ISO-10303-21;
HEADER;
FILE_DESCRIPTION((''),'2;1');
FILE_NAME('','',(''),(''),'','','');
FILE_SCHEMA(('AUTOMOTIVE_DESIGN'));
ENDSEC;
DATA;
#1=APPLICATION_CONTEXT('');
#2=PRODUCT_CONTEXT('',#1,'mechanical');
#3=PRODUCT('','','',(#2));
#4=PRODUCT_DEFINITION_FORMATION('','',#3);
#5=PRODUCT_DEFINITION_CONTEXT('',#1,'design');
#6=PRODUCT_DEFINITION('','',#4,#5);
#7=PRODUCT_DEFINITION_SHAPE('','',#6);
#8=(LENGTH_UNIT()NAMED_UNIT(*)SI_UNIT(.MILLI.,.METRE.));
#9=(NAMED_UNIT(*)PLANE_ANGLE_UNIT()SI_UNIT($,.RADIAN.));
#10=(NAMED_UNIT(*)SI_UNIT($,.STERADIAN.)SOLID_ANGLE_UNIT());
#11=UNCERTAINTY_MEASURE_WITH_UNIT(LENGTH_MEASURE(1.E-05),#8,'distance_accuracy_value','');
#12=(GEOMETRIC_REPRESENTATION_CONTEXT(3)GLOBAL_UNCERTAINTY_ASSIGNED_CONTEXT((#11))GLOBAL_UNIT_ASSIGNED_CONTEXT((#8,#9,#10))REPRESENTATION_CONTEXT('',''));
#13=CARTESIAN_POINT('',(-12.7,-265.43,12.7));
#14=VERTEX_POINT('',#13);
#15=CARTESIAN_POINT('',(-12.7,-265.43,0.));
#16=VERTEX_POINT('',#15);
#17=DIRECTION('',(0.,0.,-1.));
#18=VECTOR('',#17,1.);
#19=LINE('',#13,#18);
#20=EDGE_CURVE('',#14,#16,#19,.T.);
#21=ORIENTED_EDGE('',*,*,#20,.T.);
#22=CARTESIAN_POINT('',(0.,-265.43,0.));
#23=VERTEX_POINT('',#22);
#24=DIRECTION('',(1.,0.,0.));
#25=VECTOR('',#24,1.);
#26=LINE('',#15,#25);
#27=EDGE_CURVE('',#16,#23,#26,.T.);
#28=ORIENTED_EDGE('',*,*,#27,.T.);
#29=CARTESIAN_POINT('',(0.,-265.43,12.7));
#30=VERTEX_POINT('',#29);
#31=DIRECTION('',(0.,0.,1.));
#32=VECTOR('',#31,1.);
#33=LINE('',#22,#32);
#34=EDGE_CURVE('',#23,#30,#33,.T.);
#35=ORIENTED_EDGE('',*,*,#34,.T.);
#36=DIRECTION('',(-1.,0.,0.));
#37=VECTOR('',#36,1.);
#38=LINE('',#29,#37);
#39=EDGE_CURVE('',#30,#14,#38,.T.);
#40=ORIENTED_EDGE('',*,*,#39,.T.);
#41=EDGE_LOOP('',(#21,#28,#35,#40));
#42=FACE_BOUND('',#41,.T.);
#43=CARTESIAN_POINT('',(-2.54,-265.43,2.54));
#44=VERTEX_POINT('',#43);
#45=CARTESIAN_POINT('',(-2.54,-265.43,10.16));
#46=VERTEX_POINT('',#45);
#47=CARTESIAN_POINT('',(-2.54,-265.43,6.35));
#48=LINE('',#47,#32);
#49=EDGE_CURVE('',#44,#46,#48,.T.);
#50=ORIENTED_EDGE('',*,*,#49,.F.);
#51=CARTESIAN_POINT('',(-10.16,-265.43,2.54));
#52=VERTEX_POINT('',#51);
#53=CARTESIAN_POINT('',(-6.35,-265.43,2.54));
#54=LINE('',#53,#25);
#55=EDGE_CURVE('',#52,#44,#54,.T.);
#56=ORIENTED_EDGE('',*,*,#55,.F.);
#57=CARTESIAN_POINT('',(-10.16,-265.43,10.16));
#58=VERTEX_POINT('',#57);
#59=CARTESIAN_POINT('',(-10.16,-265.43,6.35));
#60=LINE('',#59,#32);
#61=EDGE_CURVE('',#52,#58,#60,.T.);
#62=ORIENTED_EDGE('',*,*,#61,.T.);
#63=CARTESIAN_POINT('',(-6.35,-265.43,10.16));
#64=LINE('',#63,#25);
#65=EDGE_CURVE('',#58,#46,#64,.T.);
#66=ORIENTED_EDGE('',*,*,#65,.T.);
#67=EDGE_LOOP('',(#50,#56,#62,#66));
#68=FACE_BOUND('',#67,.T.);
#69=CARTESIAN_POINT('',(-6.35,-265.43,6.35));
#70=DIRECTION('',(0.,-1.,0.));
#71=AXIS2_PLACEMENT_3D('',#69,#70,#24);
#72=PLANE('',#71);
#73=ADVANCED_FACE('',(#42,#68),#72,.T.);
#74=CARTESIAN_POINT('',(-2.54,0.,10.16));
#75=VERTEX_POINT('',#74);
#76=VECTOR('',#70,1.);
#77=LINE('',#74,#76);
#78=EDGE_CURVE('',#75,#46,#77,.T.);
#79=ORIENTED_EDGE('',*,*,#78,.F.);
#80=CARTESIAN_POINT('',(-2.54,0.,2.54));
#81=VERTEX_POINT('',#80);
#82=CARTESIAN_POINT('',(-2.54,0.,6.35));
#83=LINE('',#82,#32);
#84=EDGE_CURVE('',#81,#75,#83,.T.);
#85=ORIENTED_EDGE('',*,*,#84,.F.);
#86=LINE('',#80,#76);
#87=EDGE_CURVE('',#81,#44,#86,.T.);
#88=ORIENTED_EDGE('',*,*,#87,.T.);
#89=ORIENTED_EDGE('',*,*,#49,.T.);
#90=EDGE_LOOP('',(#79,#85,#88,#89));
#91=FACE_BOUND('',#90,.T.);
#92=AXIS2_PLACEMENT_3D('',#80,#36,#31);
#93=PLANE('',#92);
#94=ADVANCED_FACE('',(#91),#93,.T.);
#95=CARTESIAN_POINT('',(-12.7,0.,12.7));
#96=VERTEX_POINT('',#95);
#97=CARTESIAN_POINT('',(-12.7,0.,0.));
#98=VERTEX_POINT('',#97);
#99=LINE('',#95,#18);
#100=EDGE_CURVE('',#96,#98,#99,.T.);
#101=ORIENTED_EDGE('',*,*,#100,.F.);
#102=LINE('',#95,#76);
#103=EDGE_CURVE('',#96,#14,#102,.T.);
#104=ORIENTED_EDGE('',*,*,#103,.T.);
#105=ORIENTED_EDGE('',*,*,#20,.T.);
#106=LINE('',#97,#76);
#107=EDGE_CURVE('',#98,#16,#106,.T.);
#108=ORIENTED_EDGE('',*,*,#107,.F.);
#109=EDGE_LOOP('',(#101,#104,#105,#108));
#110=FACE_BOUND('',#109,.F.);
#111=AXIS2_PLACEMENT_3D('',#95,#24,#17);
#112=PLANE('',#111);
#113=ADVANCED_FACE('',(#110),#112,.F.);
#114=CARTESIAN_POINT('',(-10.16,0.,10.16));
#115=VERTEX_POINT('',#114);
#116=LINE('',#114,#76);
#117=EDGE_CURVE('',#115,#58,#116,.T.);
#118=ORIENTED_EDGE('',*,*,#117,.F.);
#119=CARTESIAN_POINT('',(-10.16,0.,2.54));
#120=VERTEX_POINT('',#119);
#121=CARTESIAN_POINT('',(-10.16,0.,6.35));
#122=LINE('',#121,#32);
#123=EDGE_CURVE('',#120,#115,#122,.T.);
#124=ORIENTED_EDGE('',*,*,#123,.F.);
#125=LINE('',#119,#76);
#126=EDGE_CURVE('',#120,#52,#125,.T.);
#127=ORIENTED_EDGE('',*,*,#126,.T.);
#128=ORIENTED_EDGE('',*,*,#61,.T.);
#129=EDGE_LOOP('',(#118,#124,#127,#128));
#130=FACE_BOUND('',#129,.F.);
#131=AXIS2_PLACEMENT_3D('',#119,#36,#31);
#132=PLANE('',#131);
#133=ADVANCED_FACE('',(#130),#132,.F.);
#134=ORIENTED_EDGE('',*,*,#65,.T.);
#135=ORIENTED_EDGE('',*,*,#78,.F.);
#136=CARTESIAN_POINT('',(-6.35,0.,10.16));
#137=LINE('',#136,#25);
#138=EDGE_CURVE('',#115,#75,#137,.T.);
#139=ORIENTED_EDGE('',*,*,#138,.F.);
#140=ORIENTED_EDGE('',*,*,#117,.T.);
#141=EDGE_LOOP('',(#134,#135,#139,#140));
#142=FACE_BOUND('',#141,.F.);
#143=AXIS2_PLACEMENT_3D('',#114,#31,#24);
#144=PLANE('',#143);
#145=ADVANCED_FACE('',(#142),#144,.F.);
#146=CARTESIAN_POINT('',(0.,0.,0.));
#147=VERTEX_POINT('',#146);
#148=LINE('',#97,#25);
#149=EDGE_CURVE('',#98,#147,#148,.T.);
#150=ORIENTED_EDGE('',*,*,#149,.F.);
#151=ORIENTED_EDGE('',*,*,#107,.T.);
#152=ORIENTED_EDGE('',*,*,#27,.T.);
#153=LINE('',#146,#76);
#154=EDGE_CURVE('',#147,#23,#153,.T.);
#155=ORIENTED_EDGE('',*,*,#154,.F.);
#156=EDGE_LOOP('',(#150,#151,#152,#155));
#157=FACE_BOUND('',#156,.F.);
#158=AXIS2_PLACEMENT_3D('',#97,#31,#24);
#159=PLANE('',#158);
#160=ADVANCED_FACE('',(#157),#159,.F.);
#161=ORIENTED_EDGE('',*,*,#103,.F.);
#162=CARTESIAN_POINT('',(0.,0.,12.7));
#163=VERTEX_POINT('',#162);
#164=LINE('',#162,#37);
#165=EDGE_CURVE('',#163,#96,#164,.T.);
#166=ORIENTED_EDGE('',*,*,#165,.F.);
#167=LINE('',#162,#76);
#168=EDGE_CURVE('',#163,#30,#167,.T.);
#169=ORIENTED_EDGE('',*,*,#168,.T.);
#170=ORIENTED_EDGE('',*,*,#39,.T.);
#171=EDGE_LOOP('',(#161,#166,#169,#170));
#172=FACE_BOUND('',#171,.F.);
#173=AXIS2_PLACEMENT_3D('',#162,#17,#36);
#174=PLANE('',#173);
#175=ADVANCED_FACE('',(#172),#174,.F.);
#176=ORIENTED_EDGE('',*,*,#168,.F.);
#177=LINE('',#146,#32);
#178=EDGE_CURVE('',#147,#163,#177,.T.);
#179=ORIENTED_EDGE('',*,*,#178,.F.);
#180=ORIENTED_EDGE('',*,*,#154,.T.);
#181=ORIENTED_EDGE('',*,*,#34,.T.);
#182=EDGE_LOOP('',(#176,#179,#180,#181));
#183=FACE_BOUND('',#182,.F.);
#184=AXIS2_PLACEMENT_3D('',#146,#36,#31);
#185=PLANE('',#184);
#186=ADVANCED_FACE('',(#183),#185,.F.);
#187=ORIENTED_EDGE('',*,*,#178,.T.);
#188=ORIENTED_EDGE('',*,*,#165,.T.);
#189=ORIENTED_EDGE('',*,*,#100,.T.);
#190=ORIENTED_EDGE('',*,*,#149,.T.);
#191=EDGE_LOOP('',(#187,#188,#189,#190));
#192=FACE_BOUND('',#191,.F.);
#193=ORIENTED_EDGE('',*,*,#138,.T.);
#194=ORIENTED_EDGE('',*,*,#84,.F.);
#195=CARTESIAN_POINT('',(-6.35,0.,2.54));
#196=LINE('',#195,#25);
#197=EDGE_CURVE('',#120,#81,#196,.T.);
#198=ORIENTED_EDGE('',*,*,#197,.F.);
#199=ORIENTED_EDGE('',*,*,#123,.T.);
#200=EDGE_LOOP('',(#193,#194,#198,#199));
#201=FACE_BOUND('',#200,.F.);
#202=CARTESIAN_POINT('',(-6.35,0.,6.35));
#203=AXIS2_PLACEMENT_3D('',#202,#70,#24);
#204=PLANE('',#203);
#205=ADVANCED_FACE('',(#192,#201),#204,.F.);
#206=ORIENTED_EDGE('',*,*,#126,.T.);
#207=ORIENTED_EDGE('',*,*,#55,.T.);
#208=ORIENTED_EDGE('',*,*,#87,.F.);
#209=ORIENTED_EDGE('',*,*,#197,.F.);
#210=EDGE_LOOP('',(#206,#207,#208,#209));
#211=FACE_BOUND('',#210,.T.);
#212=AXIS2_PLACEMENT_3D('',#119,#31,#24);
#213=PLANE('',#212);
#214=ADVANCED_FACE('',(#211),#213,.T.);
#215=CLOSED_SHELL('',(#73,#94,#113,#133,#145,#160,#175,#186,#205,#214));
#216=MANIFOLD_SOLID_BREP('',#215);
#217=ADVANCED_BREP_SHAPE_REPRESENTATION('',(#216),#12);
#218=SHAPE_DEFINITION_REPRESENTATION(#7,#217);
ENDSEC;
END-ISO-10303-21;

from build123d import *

# Parameters (mm, degrees)
F0_W     = 7.62
F0_H     = 7.62
F1_DEPTH = 265.43


with BuildPart() as f1:
    # F0 (on Front) → F1 (new body)
    with BuildSketch(Plane.XZ):
        Polygon((-12.7, 0), (0, 0), (0, 12.7), (-10.16, 12.7), (-12.7, 12.7), align=None)
        with Locations((-6.35, 6.35)):
            Rectangle(F0_W, F0_H, mode=Mode.SUBTRACT)
    extrude(amount=F1_DEPTH)


solid = f1.part
